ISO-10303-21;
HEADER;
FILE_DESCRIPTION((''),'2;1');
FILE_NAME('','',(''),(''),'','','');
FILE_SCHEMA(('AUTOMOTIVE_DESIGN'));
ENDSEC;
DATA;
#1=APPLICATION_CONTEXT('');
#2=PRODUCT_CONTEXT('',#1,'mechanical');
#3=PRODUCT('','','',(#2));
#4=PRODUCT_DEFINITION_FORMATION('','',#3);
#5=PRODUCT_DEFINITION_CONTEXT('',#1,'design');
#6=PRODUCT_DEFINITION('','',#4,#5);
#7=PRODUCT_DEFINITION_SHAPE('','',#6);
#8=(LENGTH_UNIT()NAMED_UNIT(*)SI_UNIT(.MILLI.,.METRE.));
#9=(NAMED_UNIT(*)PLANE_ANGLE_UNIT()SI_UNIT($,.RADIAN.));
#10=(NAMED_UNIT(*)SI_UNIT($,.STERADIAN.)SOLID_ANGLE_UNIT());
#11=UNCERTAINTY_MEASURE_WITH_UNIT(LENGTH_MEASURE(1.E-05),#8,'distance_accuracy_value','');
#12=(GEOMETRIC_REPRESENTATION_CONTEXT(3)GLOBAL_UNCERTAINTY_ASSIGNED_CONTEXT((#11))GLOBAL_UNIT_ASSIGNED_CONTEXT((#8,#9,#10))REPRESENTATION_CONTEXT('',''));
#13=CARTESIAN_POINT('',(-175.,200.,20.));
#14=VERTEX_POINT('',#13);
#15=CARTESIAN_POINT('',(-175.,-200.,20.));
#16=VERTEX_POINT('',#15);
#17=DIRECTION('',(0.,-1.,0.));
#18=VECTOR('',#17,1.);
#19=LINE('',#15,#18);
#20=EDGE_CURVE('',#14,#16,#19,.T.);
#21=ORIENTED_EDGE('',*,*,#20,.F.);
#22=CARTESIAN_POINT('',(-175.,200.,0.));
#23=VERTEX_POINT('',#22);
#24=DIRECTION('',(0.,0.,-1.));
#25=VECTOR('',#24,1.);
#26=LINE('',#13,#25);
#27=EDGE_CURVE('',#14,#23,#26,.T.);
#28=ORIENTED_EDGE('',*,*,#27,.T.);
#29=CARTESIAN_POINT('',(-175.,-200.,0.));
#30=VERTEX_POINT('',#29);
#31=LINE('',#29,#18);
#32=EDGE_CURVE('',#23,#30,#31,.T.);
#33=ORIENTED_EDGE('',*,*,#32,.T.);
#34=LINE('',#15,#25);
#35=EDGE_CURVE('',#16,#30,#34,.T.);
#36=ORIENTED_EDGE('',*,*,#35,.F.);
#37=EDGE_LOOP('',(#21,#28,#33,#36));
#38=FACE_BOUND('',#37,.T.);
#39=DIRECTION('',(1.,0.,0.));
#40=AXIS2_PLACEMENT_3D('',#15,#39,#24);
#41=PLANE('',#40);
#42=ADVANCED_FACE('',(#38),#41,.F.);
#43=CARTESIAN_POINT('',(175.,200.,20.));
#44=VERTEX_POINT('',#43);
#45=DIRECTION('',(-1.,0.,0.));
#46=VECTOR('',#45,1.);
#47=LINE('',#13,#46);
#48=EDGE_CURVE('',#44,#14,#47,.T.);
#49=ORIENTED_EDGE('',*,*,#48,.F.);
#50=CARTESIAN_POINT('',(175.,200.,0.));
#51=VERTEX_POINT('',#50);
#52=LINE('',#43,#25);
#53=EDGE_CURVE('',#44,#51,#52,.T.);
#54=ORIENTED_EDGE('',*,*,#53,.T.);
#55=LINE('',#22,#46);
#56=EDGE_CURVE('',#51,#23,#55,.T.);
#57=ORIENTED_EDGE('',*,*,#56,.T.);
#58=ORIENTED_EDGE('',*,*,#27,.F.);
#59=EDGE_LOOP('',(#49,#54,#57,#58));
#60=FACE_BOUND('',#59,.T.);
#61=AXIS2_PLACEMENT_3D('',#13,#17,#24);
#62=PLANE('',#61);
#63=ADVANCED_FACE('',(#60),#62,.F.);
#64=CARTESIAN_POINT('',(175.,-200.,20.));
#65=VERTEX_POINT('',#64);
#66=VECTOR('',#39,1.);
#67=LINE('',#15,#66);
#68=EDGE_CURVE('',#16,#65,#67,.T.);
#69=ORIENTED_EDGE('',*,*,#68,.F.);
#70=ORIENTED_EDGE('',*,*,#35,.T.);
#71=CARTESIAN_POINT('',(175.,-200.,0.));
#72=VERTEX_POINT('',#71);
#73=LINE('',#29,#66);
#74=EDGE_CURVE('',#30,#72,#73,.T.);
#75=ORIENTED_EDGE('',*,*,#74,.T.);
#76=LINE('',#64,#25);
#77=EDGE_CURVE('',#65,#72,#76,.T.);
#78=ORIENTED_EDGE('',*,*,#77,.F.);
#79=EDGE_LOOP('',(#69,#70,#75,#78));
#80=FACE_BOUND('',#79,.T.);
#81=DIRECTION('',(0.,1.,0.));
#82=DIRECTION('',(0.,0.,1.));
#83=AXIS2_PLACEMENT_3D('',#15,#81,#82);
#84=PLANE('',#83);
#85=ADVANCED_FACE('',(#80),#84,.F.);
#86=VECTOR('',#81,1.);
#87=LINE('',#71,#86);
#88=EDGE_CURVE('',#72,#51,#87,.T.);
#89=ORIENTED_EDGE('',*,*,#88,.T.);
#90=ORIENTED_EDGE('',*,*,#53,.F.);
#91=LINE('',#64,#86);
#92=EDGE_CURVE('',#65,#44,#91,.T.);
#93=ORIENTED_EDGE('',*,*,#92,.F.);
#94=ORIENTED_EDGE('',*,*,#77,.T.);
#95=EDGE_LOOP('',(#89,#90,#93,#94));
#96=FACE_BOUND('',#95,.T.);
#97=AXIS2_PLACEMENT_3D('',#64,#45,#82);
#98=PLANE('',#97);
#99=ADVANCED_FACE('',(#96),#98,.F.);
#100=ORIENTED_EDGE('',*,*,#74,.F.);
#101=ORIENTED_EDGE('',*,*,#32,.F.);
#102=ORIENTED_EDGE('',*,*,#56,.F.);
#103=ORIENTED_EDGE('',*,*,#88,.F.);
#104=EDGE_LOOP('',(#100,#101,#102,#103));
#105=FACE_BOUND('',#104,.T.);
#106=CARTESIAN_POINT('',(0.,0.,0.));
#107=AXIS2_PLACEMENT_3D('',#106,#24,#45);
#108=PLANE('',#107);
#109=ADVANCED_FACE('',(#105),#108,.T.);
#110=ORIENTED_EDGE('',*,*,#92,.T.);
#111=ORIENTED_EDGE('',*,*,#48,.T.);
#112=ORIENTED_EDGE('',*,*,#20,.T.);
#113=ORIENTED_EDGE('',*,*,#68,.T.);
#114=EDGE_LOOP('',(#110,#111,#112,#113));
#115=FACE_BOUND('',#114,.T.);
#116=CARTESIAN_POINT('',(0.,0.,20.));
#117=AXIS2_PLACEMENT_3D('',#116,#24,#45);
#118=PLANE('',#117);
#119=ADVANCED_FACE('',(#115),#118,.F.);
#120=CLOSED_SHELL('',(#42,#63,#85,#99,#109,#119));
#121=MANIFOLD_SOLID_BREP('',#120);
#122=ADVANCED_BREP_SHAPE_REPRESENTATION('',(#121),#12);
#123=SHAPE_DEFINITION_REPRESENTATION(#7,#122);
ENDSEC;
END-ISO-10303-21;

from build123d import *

# Parameters (mm, degrees)
SKETCH1_W           = 350
SKETCH1_H           = 400
BOSS_EXTRUDE1_DEPTH = 20


with BuildPart() as part:
    # Sketch1 → Boss-Extrude1 (new body)
    with BuildSketch(Plane.XY):
        Rectangle(SKETCH1_W, SKETCH1_H)
    extrude(amount=BOSS_EXTRUDE1_DEPTH)


solid = part.part
